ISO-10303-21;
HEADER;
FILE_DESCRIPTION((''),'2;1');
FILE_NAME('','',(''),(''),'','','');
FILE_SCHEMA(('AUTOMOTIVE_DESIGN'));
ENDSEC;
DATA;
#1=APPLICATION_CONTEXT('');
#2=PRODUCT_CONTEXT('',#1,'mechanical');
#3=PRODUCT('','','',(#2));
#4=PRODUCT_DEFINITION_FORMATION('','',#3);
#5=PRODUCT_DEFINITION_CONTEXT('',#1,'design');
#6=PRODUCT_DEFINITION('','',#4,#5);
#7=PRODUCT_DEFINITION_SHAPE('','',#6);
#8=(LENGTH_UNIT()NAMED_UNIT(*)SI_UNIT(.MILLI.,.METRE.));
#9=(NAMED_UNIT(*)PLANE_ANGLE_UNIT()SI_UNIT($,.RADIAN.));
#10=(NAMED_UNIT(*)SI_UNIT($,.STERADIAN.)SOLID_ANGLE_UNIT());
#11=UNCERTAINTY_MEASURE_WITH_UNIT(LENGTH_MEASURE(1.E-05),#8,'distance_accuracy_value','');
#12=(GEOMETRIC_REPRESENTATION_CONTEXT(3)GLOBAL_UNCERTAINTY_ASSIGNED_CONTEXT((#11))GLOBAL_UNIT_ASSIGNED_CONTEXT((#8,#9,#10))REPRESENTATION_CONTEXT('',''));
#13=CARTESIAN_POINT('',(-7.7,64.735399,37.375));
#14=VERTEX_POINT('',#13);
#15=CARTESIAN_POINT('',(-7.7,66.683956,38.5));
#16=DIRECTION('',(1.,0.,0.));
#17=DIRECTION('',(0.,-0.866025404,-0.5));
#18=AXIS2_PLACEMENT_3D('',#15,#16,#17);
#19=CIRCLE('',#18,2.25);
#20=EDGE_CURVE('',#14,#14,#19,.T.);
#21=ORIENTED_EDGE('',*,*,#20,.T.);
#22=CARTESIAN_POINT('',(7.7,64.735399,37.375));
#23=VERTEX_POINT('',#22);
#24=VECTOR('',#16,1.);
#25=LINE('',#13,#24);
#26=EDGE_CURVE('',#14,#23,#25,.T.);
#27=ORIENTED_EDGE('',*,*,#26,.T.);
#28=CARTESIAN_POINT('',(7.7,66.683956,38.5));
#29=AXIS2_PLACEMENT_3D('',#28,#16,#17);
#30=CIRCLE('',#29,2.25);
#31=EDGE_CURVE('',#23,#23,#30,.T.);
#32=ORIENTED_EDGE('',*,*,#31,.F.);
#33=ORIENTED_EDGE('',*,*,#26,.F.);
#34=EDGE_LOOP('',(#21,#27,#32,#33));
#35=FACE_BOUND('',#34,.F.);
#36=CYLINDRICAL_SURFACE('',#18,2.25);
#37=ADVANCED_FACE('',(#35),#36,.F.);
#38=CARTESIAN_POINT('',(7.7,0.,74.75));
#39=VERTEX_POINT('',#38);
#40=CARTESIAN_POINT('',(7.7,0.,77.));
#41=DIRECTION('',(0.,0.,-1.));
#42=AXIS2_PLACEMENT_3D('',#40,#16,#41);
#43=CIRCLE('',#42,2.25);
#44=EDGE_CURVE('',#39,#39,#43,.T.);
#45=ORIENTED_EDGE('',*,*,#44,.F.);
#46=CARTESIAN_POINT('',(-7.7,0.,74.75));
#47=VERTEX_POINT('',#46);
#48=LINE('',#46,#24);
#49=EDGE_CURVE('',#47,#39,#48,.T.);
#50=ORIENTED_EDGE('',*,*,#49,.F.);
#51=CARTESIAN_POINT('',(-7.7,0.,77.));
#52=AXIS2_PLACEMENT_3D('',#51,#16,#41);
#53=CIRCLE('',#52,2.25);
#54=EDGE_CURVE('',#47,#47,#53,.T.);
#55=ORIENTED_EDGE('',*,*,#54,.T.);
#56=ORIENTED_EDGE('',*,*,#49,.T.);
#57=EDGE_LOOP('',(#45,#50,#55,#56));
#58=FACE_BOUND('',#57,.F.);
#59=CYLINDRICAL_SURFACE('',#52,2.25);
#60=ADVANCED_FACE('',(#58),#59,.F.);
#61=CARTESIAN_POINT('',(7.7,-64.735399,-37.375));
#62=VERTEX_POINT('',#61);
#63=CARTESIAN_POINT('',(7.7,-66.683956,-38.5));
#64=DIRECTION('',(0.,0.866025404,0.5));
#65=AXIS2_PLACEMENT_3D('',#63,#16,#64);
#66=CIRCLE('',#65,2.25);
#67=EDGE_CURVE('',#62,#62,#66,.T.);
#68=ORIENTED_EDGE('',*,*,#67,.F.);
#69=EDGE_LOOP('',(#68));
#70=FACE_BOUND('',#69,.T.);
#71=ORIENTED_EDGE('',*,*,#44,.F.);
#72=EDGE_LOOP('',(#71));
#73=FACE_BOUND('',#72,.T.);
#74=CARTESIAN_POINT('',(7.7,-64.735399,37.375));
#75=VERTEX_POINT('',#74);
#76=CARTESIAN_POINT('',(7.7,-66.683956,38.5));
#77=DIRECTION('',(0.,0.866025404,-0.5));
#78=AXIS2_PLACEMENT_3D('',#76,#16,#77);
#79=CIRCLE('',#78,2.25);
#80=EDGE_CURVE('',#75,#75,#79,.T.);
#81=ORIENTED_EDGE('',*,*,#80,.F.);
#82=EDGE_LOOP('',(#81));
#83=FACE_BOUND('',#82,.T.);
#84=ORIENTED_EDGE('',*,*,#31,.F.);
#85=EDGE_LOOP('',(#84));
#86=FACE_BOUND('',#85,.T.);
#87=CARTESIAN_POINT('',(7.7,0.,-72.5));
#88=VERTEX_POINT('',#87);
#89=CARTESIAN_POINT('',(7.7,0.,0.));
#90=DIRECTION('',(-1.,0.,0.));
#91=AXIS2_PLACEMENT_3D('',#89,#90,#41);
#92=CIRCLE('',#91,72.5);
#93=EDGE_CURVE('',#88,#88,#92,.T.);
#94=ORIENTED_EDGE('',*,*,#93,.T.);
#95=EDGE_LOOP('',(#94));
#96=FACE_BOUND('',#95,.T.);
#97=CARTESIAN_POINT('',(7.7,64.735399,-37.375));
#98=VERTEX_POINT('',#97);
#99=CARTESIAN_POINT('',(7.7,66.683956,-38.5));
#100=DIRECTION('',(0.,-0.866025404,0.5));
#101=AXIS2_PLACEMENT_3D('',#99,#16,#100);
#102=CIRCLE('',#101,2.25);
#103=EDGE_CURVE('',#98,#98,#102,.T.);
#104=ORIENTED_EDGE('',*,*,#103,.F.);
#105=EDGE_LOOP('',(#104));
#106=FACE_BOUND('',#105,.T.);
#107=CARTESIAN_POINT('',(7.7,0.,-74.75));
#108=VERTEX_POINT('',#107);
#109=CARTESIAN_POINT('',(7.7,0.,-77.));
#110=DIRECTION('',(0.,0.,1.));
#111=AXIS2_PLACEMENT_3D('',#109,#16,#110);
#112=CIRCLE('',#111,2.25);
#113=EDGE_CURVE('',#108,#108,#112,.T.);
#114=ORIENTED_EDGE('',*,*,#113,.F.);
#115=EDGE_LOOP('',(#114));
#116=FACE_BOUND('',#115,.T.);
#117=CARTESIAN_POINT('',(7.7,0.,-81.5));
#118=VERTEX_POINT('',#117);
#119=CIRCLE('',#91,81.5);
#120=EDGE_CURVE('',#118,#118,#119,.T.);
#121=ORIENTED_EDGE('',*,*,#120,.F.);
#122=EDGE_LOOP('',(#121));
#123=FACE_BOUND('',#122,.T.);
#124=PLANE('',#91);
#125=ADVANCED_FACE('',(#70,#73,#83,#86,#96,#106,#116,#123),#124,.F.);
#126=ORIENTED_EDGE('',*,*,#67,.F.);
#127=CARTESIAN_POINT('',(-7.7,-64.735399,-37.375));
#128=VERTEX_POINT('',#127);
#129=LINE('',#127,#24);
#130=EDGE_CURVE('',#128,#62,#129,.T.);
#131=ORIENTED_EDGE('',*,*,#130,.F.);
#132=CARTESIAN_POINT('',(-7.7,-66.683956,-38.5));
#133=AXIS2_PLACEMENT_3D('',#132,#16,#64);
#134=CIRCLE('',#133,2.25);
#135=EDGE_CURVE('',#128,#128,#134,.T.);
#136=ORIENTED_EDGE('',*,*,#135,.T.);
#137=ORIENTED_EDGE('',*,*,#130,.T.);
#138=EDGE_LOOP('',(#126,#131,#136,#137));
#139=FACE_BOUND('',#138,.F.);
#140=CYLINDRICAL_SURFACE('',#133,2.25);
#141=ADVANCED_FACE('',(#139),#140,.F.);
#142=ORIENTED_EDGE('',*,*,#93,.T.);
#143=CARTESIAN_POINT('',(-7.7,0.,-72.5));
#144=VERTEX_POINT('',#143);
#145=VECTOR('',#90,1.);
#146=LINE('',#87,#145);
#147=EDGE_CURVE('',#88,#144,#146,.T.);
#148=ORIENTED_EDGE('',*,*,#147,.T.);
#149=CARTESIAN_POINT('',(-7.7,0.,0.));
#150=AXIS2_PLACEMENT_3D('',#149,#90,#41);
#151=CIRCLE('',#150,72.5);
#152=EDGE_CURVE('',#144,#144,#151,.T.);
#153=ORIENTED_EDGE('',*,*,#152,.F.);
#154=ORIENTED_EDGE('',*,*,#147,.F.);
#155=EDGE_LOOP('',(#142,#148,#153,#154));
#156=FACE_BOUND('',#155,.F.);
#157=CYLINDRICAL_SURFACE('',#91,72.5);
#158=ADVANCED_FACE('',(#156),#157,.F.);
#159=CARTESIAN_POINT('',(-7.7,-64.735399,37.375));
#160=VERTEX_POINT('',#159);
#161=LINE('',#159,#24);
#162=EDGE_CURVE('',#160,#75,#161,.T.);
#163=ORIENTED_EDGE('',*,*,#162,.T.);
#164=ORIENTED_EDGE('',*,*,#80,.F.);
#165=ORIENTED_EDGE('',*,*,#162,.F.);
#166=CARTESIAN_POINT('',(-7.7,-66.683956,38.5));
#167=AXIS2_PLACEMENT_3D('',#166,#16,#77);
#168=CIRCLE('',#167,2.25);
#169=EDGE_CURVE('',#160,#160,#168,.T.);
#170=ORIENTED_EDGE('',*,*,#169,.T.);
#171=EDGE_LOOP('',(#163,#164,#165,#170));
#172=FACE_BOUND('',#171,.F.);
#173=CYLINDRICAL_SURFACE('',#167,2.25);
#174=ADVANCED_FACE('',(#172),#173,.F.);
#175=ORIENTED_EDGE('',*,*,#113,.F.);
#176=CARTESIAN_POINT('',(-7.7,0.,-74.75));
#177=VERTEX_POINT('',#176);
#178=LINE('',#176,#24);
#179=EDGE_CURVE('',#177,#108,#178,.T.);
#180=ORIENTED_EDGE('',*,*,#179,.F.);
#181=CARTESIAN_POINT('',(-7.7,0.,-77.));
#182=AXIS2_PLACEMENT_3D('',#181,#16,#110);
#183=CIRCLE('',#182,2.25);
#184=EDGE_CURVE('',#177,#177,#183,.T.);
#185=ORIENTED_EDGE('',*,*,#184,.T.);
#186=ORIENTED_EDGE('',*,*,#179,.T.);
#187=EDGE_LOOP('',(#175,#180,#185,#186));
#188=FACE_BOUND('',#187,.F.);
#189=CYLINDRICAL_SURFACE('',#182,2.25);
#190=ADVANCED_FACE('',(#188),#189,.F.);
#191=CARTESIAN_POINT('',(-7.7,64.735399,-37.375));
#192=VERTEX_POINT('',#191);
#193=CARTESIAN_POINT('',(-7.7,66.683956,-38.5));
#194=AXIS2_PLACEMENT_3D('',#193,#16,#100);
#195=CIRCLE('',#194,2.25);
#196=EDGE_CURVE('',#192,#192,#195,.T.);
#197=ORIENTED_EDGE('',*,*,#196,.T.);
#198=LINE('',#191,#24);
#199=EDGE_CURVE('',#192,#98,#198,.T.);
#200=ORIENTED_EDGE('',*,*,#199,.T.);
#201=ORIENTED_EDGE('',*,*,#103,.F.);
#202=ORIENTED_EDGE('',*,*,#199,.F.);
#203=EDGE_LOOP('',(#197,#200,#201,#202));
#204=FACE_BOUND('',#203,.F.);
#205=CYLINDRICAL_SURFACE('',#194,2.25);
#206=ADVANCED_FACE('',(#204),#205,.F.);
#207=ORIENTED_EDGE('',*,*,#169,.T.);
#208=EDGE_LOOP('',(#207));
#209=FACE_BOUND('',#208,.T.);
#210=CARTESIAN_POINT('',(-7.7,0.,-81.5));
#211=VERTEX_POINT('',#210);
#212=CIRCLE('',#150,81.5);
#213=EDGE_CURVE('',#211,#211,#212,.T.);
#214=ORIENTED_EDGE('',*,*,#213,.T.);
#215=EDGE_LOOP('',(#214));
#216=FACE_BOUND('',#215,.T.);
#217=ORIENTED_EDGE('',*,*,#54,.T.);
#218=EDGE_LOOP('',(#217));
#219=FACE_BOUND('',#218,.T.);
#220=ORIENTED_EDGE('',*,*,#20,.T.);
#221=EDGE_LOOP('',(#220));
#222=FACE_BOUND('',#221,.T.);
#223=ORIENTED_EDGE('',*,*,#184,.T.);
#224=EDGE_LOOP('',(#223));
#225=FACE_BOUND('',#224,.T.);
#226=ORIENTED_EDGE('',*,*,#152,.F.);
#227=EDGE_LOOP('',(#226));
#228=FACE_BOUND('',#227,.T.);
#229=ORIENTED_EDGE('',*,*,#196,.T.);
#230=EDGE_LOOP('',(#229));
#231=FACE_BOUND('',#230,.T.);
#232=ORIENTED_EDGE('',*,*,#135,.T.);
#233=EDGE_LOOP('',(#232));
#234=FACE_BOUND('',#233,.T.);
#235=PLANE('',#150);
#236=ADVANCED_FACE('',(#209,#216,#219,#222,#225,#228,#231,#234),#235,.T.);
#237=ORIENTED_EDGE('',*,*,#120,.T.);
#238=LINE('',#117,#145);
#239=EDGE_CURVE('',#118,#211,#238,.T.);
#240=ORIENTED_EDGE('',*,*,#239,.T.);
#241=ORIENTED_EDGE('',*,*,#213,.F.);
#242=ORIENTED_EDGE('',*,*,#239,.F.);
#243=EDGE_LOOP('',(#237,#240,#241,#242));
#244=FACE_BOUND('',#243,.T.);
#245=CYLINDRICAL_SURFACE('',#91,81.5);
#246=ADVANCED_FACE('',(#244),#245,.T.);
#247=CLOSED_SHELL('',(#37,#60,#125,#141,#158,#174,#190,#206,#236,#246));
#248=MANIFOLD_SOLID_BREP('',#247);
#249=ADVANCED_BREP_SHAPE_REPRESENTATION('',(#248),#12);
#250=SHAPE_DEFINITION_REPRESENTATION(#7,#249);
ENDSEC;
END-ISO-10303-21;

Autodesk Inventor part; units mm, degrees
ref_plane "YZ Plane" through (0, 0, 0) normal (1, 0, 0) x (0, 1, 0)
ref_plane "XZ Plane" through (0, 0, 0) normal (0, 1, 0) x (-1, 0, 0)
ref_plane "XY Plane" through (0, 0, 0) normal (0, 0, 1) x (1, 0, 0)
sketch "Sketch1" plane through (0, 0, 0) normal (0, 1, 0) x (-1, 0, 0)
  line L0 (0, -83.3) -> (0, -70.7) construction
  line L1 (-10.78, 0) -> (10.78, 0) construction
  line L2 (-7.7, -72.5) -> (7.7, -72.5)
  line L3 (-7.7, -72.5) -> (-7.7, -81.5)
  line L4 (-7.7, -81.5) -> (7.7, -81.5)
  line L5 (7.7, -81.5) -> (7.7, -72.5)
  dimension "d30" = 15.4
  dimension "d31" = 9
  dimension "d47" = 72.5
revolve "Revolution1" add sketch "Sketch1" angle 360 about axis through (0, 0, 0) along (-1, 0, 0)
sketch "Sketch2" plane through (-7.7, 0, 0) normal (-1, 0, 0) x (0, 0, 1)
  line L0 (0, 114.1) -> (0, -114.1) construction
  line L1 (-114.1, 0) -> (114.1, 0) construction
  circle A0 centre (0, 0) radius 72.5 projected
  circle A1 centre (0, 0) radius 81.5 projected
  circle A2 centre (0, 0) radius 77 construction
  point P0 (-77, 0)
  dimension "d33" = 4.5
  dimension "d34" = 4.5
hole "Hole1" at (-7.7, 0, -77) direction (1, 0, 0) diameter 4.5 end through all clearance for "Flat Head Machine Screw" size "M4" standard "Ansi Metric M Profile"
pattern_circular "Circular Pattern1" count 6 over 360 about axis through (-10, 0, 0) along (1, 0, 0) of "Hole1"
equation "\"d33\" = d34"
equation "\"D_ring\" = D_ext"
equation "\"D_ext\" = 139.15534"
properties part number "Adapter_stages_planetary" material "Aluminum 6061"
